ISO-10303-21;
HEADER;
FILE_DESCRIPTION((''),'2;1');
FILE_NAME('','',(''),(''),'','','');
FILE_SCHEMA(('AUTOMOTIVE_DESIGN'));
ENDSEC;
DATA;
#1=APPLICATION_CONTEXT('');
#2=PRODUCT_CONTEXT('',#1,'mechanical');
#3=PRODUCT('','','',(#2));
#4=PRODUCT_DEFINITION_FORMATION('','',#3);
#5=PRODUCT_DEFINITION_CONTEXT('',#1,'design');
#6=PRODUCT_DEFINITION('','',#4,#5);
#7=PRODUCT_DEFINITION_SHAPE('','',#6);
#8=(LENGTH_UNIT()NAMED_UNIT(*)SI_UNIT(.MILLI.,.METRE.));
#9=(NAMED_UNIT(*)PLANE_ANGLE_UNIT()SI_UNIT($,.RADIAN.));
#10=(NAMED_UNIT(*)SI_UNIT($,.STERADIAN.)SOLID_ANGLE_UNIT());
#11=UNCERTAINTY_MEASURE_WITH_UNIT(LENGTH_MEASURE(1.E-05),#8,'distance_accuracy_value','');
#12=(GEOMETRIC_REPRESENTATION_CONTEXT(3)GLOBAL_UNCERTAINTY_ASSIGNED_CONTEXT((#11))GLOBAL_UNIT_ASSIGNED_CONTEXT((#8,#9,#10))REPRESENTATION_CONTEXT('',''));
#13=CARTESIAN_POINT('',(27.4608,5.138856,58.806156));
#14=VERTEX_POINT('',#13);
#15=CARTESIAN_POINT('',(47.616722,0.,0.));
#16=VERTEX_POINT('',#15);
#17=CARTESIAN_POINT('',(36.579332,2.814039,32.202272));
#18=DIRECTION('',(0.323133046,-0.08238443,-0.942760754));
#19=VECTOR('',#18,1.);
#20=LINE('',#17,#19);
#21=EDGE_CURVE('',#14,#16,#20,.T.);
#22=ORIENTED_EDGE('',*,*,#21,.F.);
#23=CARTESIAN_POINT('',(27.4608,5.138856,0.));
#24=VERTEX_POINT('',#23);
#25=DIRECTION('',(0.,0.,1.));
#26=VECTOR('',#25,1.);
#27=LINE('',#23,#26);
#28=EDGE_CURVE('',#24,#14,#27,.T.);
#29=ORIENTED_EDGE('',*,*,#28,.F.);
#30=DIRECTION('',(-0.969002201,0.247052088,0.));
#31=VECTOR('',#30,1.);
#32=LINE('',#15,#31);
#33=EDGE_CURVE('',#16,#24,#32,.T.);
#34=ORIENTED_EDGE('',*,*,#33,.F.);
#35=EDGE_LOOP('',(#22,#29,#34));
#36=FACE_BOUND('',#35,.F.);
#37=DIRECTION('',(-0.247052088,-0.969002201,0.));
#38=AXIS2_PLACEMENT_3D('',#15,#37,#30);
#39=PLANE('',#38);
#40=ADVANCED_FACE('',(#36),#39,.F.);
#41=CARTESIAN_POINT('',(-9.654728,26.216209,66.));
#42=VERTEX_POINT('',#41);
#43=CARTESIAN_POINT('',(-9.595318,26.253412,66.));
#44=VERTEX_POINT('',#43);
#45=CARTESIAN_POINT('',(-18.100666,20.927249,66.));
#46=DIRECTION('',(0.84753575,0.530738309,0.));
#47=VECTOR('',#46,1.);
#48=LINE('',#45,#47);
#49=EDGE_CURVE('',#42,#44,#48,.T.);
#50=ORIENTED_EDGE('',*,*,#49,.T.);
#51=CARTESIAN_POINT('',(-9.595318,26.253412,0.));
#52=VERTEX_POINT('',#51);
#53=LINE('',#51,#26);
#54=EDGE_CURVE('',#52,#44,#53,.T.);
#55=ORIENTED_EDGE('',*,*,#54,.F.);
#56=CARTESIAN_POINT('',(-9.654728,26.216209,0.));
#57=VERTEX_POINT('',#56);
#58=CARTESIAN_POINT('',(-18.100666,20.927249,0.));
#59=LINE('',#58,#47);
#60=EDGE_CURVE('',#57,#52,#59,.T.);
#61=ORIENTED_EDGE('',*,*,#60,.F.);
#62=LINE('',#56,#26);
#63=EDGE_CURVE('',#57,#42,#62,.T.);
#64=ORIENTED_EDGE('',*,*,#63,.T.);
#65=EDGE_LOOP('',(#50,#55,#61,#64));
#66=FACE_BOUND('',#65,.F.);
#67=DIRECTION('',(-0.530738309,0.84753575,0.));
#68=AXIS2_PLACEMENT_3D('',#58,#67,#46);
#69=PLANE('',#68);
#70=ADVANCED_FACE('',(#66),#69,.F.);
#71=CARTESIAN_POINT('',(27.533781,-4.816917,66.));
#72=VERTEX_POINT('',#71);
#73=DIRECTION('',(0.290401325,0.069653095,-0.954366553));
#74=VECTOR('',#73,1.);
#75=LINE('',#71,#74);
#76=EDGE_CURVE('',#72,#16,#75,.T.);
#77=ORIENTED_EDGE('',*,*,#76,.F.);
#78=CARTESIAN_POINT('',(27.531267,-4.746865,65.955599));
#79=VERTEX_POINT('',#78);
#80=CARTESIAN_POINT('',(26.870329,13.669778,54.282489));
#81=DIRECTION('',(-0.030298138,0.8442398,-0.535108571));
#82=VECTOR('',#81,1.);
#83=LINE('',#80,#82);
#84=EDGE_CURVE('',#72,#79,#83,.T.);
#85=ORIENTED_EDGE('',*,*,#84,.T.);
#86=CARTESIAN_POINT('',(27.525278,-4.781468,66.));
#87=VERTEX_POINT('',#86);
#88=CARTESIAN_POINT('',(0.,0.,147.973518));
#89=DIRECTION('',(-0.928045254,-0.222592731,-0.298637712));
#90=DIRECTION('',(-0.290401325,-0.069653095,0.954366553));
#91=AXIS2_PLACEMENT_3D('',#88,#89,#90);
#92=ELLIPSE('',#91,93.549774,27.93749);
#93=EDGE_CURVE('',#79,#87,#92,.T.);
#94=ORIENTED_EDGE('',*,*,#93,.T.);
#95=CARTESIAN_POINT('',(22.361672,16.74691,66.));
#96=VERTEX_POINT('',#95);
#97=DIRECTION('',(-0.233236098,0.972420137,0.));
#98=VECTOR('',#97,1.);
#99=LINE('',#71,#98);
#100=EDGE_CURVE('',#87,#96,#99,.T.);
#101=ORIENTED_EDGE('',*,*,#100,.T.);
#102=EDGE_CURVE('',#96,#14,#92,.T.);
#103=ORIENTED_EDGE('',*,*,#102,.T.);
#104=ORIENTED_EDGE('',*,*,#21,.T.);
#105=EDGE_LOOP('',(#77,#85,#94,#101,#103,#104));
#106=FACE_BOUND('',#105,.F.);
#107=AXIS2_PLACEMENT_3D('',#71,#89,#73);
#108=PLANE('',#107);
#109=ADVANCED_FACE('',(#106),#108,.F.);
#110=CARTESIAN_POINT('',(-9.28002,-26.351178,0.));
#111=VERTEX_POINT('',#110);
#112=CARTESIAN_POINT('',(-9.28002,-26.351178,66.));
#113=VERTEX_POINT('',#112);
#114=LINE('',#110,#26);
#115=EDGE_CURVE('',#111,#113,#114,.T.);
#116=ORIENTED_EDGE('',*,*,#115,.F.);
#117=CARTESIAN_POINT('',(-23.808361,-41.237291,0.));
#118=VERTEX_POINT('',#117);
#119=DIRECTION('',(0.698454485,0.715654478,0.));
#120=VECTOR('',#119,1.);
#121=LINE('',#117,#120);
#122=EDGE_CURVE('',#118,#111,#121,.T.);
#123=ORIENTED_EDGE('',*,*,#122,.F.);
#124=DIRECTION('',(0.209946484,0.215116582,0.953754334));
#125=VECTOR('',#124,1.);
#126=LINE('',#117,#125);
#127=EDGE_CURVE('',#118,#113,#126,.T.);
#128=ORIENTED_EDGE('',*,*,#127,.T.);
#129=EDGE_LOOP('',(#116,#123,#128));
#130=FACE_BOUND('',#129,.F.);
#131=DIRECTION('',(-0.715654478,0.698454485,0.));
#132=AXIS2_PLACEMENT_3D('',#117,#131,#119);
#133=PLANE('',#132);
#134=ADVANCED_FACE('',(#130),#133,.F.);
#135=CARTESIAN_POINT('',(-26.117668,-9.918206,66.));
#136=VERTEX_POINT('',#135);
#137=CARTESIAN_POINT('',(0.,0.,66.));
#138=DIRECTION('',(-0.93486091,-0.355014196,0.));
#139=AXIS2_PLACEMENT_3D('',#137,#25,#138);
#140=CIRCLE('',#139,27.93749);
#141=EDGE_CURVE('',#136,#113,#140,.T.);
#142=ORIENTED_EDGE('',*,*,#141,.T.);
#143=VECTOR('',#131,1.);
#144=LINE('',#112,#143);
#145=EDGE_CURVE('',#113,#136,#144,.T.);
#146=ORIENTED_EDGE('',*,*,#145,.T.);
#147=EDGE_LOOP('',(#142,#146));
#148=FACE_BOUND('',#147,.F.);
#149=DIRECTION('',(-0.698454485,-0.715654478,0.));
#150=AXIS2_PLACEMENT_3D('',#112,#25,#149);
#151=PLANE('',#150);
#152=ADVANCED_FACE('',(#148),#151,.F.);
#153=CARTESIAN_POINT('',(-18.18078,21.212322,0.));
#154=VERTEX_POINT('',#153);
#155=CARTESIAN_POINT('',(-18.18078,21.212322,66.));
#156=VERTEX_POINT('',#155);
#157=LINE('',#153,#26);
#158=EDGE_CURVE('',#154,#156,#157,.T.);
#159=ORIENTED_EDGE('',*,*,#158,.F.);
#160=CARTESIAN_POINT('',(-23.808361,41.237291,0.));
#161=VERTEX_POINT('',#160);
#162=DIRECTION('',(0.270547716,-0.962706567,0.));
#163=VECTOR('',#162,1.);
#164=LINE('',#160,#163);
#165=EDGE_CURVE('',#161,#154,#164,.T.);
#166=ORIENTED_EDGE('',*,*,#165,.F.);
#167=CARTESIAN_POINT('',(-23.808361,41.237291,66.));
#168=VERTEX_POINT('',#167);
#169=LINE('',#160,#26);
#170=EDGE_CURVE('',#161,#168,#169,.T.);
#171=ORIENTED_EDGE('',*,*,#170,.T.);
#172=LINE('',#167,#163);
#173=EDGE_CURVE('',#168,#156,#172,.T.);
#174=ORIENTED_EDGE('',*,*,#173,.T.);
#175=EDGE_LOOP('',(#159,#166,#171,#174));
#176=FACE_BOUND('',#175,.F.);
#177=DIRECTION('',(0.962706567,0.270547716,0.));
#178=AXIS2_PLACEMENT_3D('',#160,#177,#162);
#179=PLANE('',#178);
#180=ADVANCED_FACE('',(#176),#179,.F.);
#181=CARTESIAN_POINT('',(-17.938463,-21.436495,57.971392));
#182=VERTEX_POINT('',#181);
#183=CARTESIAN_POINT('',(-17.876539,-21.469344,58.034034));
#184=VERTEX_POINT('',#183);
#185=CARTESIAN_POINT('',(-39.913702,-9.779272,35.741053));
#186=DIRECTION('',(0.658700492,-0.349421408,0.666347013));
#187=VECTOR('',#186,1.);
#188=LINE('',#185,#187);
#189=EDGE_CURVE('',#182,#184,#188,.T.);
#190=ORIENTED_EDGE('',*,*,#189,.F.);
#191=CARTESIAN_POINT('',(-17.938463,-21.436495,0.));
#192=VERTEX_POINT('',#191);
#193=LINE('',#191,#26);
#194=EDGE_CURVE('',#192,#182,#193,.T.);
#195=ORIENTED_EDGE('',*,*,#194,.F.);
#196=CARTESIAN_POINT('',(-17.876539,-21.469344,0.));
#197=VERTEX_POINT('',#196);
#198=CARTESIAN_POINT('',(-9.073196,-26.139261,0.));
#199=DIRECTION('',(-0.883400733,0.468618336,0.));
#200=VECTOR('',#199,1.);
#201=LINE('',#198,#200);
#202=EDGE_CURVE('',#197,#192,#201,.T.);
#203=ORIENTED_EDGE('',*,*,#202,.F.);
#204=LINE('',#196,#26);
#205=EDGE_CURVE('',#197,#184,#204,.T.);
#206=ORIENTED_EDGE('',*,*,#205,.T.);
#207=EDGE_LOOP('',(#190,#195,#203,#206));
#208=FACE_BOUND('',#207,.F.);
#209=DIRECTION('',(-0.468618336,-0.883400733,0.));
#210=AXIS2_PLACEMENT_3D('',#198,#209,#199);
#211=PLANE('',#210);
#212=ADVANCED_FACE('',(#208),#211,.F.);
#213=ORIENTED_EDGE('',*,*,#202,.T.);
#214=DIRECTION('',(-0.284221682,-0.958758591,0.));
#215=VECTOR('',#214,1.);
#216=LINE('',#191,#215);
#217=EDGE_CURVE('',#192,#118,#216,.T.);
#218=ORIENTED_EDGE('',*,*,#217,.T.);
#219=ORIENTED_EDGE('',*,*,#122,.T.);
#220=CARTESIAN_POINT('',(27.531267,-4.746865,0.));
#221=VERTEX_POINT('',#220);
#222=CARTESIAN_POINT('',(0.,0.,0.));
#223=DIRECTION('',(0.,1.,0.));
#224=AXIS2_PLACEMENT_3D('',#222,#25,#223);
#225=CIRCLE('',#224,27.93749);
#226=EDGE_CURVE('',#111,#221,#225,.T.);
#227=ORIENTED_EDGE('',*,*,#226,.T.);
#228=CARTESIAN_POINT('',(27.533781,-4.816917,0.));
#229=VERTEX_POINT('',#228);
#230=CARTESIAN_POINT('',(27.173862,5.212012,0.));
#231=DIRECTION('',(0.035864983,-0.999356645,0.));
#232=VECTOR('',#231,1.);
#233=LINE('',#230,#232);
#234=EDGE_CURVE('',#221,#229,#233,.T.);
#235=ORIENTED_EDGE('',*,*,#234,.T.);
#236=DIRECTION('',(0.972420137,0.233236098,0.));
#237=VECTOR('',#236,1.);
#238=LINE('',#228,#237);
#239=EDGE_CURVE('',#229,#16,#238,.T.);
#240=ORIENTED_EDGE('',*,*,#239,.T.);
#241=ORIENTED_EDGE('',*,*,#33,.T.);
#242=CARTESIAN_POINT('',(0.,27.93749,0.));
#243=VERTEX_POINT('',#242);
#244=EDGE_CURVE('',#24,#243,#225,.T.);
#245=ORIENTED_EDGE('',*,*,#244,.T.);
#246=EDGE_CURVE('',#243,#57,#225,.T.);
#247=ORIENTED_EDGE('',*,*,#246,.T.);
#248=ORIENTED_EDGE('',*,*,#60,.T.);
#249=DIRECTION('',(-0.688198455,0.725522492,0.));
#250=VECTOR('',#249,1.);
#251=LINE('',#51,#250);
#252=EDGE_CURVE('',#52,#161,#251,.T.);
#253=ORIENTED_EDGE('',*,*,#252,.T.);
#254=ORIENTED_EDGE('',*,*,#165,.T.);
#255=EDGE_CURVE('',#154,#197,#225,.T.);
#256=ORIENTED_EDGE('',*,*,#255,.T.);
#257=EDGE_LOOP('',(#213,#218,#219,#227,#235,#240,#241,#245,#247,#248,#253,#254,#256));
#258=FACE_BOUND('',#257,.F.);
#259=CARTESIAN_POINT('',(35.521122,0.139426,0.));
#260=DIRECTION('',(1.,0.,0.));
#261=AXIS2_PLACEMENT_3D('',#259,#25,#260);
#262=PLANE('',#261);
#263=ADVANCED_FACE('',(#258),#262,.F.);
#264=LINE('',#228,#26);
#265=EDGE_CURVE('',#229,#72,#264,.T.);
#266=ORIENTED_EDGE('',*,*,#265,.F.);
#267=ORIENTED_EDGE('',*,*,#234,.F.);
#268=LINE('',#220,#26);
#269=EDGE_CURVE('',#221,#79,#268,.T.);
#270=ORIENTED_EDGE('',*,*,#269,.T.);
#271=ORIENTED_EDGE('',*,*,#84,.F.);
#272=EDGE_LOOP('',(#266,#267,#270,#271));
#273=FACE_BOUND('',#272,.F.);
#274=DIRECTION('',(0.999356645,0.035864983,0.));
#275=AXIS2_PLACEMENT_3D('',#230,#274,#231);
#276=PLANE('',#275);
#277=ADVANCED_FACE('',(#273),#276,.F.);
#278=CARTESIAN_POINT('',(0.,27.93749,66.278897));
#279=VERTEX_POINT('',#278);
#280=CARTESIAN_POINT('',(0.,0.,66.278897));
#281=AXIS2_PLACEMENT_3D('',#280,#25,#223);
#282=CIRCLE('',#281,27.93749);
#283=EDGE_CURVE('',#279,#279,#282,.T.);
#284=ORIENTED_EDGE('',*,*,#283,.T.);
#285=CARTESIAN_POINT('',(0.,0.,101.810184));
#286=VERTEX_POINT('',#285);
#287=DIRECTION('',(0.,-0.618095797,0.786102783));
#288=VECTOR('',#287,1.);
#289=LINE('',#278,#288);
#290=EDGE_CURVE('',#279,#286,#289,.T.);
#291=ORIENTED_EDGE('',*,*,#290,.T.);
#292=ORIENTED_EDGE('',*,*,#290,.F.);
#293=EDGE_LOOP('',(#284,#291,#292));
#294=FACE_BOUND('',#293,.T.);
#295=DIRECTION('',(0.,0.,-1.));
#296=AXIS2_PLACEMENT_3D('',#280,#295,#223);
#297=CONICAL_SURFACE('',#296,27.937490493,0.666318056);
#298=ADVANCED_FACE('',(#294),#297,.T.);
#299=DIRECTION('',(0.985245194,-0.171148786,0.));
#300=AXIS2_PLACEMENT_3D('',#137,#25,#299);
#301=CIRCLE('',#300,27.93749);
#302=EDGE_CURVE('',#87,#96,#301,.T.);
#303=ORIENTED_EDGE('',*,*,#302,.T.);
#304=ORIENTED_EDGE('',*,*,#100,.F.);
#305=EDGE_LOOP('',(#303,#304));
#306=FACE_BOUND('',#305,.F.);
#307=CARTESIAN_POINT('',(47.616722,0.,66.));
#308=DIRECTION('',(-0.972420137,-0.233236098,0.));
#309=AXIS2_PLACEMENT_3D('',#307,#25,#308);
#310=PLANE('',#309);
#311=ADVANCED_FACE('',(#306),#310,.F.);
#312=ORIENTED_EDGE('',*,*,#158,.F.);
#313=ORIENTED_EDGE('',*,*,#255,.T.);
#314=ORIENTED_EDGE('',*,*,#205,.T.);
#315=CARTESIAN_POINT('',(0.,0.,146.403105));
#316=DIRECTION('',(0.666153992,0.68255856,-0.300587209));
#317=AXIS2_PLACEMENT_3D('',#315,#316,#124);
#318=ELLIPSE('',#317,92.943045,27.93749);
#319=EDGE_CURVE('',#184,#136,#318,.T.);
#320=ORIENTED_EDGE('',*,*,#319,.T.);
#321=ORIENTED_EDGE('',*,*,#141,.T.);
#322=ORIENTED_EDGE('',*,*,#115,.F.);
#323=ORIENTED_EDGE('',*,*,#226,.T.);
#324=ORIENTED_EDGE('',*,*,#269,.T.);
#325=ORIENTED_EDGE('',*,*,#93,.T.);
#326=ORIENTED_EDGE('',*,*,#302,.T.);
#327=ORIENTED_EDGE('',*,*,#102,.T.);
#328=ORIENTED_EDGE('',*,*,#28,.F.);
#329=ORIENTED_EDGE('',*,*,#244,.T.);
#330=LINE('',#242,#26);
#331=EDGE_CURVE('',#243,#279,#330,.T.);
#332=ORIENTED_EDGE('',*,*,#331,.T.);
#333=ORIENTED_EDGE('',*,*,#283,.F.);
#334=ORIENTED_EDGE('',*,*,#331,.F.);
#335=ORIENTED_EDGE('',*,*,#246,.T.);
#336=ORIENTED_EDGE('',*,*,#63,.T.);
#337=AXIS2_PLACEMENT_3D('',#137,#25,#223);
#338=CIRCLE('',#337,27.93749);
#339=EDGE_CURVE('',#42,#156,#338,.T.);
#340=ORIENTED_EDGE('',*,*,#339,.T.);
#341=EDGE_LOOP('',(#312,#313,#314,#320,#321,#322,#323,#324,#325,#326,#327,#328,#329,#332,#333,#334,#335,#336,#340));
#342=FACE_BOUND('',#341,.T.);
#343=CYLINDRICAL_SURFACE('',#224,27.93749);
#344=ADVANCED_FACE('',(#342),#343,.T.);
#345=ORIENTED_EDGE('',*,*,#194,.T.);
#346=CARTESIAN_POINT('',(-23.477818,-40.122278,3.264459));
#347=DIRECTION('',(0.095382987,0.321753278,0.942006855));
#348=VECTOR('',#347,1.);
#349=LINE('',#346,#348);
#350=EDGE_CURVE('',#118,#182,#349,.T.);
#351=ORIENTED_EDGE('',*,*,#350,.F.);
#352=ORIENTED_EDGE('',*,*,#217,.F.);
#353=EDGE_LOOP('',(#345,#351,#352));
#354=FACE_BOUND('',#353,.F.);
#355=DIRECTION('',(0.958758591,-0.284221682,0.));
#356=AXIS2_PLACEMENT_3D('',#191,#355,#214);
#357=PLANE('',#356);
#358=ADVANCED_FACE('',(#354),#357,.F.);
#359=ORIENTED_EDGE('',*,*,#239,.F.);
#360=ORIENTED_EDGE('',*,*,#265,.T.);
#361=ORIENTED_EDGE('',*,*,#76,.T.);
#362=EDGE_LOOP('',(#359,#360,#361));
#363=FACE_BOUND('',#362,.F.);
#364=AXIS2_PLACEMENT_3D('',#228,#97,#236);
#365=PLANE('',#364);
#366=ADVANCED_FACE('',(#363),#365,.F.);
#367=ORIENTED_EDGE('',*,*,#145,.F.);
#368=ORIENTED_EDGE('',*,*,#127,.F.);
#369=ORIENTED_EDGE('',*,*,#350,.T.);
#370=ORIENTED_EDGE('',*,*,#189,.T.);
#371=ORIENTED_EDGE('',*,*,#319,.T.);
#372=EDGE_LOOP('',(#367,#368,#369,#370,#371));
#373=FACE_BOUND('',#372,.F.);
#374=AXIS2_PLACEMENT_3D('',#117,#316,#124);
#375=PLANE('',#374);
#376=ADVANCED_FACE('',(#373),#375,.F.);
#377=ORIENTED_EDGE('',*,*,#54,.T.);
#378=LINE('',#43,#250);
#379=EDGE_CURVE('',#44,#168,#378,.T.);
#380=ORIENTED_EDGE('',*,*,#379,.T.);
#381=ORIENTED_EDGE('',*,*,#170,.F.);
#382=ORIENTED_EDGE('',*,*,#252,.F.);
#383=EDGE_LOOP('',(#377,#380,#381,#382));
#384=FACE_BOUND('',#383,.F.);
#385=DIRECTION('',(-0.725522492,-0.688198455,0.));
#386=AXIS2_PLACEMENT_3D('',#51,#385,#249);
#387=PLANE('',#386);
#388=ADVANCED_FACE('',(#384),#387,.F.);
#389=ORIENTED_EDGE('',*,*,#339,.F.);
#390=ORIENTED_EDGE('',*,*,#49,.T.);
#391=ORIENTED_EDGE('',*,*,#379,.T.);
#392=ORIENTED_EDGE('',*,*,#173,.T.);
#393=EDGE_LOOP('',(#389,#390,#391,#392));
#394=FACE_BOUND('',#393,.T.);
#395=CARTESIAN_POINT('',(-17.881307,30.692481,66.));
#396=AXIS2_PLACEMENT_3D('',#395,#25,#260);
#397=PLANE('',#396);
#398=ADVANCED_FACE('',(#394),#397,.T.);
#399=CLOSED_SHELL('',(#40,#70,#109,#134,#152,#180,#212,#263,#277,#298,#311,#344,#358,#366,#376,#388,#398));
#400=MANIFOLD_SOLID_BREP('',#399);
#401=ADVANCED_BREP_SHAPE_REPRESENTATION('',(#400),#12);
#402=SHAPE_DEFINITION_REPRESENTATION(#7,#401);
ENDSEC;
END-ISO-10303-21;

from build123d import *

# Parameters (mm, degrees)
F3_DEPTH = 66
F5_DEPTH = 25
F7_DEPTH = 25


with BuildPart() as f1:
    # F0 (on Right) → F1 (revolve)
    with BuildSketch(Plane.YZ):
        Polygon((27.9374904931, 66.2788972259), (0, 101.8101840481), (0, 0), (27.9374904931, 0), align=None)
    revolve(axis=Axis((0, 0, 50.905092024), (0, 0, 1)))

    # F2 (on Top) → F3 (join)
    with BuildSketch(Plane.XY):
        Polygon((47.6167220591, 0), (27.1738618612, 5.2120122127), (27.5337807834, -4.8169167712), align=None)
        Polygon((-9.5953180999, 26.2534120063), (-23.8083610295, 41.2372909481), (-18.1006659117, 20.9272485844), align=None)
        Polygon((-17.9384626835, -21.4364952351), (-23.8083610295, -41.2372909481), (-9.0731959496, -26.1392607971), align=None)
    extrude(amount=F3_DEPTH)

    # F4 (on face) → F5 (cut)
    with BuildSketch(Plane(origin=(2.5903057561, -10.7996382035, 0), x_dir=(0.9724201368, 0.2332360983, 0), z_dir=(0.2332360983, -0.9724201368, 0))):
        Polygon((46.3034593785, 66), (25.6509240024, 66), (46.3034593785, 0), align=None)
    extrude(amount=-F5_DEPTH, mode=Mode.SUBTRACT)

    # F6 (on face) → F7 (cut)
    with BuildSketch(Plane(origin=(8.4188237579, -8.2164862973, 0), x_dir=(0.6984544852, 0.7156544782, 0), z_dir=(0.7156544782, -0.6984544852, 0))):
        Polygon((-46.1407084808, 66), (-46.1407084808, 0), (-25.3400105467, 66), align=None)
    extrude(amount=-F7_DEPTH, mode=Mode.SUBTRACT)


solid = f1.part
